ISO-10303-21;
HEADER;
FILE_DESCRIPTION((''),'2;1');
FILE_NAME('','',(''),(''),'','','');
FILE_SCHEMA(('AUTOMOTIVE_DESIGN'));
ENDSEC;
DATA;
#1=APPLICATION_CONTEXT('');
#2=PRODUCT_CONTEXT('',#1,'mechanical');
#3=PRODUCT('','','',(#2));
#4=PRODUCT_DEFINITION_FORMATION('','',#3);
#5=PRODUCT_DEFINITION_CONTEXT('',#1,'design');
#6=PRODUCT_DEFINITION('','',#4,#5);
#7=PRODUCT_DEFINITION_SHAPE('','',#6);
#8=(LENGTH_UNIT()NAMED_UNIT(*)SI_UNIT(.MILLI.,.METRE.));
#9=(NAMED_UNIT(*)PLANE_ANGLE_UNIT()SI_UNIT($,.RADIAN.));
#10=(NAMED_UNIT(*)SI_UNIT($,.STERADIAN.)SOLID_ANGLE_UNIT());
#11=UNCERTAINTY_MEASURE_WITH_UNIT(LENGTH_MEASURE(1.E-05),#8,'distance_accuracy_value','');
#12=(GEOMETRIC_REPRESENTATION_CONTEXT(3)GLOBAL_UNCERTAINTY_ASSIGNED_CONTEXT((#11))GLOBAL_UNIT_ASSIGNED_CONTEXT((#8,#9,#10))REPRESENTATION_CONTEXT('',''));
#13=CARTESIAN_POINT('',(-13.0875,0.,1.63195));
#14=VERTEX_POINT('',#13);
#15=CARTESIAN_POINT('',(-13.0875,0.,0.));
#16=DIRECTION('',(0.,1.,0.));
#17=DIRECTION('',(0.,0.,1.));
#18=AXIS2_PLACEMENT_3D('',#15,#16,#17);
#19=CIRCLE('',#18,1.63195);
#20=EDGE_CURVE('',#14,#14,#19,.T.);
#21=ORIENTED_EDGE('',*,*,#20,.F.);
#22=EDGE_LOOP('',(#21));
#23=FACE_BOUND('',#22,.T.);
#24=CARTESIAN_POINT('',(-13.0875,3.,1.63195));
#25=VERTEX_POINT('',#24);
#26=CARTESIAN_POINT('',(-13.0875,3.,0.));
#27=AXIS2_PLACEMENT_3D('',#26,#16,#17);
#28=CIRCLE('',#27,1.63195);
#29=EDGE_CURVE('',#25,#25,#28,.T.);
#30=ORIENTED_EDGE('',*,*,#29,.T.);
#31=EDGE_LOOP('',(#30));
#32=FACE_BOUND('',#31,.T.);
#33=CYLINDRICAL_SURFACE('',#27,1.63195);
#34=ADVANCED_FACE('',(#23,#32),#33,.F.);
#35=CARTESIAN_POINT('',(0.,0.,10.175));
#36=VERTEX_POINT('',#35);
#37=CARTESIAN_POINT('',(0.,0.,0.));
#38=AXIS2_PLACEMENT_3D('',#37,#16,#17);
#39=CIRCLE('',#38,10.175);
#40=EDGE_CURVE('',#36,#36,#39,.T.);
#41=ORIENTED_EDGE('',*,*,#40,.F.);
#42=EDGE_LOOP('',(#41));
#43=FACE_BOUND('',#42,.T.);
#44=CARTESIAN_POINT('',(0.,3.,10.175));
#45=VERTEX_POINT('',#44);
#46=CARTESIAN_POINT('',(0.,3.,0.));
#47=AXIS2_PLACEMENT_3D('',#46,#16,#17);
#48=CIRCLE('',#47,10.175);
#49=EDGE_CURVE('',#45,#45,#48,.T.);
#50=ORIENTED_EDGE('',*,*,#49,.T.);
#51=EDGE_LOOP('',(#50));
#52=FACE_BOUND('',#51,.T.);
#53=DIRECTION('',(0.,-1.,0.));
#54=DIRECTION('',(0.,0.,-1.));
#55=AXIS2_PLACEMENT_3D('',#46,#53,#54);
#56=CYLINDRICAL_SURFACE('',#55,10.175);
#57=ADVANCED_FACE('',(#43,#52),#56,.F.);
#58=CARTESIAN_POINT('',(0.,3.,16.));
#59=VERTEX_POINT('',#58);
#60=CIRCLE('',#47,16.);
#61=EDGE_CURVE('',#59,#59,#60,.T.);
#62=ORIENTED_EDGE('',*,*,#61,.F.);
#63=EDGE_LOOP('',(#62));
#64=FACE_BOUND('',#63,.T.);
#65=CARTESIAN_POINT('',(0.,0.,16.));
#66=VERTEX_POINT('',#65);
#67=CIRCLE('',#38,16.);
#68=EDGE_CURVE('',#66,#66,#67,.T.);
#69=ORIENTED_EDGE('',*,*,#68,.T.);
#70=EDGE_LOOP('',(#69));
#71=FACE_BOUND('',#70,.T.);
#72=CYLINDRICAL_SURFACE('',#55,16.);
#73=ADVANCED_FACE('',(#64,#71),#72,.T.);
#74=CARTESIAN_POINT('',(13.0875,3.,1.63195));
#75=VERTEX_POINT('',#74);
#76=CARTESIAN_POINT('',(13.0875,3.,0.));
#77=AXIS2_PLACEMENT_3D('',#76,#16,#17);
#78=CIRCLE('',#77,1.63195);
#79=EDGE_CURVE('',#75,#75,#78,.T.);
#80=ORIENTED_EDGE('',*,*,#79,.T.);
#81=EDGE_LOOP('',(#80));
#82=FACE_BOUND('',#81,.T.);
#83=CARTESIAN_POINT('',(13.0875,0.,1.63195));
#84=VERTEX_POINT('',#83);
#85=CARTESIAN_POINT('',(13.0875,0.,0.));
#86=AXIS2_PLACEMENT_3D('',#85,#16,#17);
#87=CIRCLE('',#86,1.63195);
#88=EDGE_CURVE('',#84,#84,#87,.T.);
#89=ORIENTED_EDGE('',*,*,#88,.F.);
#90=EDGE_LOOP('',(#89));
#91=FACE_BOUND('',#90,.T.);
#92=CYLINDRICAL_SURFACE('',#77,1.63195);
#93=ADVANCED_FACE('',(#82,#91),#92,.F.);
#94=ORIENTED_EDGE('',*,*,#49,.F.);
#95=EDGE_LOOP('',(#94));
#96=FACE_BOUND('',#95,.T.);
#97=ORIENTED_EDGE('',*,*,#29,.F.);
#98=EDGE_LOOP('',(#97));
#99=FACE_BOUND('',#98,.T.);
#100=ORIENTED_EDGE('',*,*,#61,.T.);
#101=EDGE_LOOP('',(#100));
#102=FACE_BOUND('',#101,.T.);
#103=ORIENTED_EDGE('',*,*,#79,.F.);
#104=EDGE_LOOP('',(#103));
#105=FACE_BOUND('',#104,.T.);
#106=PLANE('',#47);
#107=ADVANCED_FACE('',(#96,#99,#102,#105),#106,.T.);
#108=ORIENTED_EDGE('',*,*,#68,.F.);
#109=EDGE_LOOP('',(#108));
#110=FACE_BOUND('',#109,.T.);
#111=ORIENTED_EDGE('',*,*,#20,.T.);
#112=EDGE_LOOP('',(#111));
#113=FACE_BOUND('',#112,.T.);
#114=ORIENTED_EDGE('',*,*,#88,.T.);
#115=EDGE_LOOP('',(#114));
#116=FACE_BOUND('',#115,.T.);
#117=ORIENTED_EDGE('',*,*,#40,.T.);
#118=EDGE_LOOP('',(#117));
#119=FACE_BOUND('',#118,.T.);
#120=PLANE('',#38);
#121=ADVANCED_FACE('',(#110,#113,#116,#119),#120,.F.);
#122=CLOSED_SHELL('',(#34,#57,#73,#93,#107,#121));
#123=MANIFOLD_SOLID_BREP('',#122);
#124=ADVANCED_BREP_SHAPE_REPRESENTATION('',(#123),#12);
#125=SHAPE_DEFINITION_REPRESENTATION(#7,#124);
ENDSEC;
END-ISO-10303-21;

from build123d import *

# Parameters (mm, degrees)
SKETCH1_R             = 16
SKETCH1_R_2           = 10.175
BOSS_EXTRUDE1_DEPTH   = 3
F_4_CLEARANCE_HOLE1_D = 3.2639


with BuildPart() as part:
    # Sketch1 → Boss-Extrude1 (new body)
    with BuildSketch(Plane(origin=(0, 0, 0), x_dir=(1, 0, 0), z_dir=(0, 1, 0))):
        with Locations(Location((0, 0, 0), (0, 0, 270))):
            Circle(SKETCH1_R)
        with Locations(Location((0, 0, 0), (0, 0, 270))):
            Circle(SKETCH1_R_2, mode=Mode.SUBTRACT)
    extrude(amount=BOSS_EXTRUDE1_DEPTH)

    # #4 Clearance Hole1 (through all)
    with Locations(Plane(origin=(0, 3, 0), x_dir=(1, 0, 0), z_dir=(0, 1, 0))):
        with Locations((-13.0875, 0), (13.0875, 0)):
            Hole(F_4_CLEARANCE_HOLE1_D / 2)


solid = part.part
